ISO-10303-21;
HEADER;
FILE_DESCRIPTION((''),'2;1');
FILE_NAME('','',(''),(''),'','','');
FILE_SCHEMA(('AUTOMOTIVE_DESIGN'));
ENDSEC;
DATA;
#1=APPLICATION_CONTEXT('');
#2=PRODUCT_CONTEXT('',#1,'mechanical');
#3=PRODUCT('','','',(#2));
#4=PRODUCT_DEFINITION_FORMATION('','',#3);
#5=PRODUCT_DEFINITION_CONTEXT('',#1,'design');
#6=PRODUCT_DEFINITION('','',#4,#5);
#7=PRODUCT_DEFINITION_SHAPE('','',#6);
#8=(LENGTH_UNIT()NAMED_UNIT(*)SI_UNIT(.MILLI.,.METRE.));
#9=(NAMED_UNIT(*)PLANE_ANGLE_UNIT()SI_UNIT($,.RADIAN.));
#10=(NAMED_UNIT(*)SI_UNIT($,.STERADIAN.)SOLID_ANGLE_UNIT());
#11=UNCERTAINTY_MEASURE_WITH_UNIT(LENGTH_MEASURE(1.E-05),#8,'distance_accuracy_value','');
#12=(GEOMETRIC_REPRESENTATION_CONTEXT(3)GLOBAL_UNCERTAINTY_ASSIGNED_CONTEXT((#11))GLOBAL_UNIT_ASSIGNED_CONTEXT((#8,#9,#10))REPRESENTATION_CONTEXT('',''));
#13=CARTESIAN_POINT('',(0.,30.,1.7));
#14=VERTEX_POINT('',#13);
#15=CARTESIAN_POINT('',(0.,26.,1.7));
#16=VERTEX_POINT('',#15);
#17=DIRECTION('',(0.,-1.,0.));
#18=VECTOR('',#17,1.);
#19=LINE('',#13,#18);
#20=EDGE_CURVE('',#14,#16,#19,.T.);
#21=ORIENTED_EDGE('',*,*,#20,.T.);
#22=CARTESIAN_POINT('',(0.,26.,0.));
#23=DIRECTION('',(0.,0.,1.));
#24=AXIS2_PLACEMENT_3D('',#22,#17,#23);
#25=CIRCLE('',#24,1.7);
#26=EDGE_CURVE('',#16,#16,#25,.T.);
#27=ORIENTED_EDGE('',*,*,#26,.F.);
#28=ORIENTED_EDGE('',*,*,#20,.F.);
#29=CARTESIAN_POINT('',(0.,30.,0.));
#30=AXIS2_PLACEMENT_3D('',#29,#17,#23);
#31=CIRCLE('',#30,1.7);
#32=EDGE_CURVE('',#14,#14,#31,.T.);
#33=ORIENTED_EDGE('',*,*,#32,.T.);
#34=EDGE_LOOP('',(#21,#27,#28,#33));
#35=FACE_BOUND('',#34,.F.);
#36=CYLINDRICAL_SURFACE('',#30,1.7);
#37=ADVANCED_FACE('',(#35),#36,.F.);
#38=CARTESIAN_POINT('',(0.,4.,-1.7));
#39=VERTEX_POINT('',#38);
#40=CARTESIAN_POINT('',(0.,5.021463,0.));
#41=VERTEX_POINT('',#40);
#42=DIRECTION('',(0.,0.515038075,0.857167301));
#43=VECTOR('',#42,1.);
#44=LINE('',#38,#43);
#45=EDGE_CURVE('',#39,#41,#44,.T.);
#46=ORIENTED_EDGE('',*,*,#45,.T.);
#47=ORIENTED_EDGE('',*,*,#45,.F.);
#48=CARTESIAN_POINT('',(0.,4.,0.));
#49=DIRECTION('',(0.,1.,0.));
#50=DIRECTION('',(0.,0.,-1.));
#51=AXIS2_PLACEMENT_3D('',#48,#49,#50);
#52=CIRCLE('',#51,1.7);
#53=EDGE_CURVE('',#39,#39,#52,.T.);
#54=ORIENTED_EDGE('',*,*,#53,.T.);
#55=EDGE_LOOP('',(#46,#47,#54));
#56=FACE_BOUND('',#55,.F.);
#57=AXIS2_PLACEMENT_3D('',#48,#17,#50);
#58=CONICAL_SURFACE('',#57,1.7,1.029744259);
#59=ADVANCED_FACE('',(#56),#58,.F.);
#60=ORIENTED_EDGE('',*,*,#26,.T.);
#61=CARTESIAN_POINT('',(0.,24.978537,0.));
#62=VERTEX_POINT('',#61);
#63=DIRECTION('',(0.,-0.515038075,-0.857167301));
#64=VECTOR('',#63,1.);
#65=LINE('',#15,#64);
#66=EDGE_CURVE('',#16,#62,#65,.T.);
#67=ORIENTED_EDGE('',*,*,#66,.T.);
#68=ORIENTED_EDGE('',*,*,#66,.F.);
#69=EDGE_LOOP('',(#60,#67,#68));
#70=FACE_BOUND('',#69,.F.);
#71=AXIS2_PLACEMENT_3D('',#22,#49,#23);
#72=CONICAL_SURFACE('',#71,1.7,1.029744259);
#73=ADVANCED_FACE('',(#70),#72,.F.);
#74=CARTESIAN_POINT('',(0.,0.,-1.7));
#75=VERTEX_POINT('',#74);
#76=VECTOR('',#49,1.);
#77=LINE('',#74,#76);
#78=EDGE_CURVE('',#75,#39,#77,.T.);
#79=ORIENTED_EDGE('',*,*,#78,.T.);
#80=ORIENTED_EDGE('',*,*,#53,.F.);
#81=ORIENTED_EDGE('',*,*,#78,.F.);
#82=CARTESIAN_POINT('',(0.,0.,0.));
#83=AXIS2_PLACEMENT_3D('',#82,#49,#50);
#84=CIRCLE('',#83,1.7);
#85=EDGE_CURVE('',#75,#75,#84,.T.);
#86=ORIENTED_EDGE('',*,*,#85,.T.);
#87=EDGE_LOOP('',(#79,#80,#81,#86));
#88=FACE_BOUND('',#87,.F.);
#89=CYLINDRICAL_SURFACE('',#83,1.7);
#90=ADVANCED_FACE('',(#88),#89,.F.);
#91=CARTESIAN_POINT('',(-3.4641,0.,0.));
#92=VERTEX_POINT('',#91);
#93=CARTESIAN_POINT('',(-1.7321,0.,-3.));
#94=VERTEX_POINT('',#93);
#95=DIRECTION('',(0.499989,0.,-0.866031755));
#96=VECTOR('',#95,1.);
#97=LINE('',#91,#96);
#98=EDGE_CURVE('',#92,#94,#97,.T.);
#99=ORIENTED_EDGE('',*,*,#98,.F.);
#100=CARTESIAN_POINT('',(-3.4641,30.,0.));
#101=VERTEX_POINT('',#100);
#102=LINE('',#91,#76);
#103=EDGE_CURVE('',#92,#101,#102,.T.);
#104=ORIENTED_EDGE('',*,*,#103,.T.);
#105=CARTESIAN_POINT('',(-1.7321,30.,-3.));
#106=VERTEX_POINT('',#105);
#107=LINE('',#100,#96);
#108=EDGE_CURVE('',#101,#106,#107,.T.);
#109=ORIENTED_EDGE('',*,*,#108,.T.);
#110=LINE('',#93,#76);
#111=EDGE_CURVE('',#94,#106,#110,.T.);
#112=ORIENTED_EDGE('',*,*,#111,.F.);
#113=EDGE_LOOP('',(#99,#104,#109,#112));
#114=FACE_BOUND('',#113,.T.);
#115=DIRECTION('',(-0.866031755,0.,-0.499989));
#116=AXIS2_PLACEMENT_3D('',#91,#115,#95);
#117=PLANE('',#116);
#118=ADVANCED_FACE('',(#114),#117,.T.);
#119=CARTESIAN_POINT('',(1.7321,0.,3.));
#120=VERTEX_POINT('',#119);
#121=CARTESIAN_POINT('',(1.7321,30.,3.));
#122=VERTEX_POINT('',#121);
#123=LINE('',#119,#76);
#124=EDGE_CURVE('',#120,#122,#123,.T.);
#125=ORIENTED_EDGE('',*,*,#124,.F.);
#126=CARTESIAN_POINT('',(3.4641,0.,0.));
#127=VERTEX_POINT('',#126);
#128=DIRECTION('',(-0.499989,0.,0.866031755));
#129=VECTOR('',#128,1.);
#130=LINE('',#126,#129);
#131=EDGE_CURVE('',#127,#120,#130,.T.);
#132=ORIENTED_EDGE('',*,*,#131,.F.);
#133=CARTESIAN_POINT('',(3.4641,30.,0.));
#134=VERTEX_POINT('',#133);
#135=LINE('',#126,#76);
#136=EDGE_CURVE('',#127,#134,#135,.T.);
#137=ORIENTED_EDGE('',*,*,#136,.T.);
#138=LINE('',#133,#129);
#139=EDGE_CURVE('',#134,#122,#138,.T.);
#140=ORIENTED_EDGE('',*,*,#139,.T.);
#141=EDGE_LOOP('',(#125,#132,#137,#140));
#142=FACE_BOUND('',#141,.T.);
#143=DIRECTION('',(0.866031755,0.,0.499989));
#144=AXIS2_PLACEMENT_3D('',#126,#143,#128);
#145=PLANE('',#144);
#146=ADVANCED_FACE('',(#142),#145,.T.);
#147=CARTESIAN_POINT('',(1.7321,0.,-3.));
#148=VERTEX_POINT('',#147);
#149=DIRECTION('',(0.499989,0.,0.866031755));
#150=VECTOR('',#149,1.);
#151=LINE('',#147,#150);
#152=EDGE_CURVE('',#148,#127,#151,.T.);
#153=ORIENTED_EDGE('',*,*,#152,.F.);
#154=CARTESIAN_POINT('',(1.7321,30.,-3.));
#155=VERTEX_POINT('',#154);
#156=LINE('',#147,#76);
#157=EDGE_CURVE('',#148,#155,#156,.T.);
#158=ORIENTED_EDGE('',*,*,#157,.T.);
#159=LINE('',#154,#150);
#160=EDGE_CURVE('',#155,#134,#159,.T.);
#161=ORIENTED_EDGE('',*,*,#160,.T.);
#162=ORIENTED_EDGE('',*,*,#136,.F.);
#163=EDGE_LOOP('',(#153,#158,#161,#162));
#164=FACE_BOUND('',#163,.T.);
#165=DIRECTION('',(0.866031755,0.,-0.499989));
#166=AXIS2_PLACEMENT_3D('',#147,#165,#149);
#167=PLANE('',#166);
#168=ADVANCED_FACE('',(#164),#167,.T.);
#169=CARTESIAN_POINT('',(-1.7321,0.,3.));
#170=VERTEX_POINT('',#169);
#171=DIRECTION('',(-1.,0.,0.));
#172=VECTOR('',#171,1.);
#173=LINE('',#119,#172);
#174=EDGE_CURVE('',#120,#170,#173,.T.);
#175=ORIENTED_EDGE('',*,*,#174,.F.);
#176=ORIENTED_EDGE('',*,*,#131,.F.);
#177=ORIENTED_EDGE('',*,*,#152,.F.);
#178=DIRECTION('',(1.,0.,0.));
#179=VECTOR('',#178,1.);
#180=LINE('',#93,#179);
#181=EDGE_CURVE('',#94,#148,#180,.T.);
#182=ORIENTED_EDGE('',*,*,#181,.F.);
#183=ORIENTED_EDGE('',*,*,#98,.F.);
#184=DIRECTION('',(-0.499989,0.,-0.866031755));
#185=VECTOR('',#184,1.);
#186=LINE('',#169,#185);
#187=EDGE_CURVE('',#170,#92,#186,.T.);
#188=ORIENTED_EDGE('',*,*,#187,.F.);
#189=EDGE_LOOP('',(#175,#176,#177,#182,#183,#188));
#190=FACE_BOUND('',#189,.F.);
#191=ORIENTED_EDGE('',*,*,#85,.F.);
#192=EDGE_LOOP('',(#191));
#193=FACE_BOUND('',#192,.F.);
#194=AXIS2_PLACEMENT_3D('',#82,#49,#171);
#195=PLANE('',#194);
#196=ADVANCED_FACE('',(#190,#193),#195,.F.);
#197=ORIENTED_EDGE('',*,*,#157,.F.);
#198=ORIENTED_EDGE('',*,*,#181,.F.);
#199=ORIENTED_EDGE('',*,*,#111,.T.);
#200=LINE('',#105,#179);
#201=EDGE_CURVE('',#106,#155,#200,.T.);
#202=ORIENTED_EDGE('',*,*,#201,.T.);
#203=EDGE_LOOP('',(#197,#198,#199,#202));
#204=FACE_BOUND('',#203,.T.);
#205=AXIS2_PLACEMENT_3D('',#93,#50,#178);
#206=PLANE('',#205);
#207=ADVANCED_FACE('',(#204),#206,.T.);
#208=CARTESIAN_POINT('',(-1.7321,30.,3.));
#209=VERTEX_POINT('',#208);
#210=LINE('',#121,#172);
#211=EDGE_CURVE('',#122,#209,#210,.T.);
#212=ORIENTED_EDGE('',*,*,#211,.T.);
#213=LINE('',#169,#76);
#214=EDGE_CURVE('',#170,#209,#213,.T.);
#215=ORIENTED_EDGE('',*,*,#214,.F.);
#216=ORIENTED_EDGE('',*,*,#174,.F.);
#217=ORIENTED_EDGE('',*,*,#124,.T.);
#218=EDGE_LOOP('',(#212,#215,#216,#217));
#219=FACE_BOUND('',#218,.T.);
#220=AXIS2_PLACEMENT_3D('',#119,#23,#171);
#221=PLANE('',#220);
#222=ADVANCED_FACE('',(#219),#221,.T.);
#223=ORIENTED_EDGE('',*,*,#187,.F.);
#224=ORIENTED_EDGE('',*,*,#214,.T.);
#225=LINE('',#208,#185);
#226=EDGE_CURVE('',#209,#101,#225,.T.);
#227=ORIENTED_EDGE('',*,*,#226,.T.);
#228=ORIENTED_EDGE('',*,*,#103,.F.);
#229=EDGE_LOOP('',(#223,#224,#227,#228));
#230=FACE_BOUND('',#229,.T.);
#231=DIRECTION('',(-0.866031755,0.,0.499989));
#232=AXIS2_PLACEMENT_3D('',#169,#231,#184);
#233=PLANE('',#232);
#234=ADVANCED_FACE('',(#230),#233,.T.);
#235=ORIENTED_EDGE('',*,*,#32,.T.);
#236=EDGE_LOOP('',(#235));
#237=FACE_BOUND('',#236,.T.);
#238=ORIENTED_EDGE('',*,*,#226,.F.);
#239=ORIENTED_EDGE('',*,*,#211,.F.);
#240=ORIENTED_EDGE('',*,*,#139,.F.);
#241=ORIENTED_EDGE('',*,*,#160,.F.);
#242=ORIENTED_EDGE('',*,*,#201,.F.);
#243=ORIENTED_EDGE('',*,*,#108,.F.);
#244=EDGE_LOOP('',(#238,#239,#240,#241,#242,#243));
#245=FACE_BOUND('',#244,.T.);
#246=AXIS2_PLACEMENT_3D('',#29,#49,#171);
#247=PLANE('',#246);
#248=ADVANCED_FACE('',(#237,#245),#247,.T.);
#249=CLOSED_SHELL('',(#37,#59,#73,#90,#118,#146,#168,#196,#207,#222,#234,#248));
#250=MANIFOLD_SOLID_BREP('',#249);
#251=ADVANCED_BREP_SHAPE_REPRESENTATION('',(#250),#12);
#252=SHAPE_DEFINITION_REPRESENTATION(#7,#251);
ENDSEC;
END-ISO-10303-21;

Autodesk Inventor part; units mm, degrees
ref_plane "YZ Plane" through (0, 0, 0) normal (1, 0, 0) x (0, 1, 0)
ref_plane "XZ Plane" through (0, 0, 0) normal (0, 1, 0) x (-1, 0, 0)
ref_plane "XY Plane" through (0, 0, 0) normal (0, 0, 1) x (1, 0, 0)
sketch "Sketch1" plane through (0, 0, 0) normal (0, 1, 0) x (-1, 0, 0)
  line L0 (-1.7321, 3) -> (1.7321, 3)
  line L1 (1.7321, 3) -> (3.4641, 0)
  line L2 (3.4641, 0) -> (1.7321, -3)
  line L3 (1.7321, -3) -> (-1.7321, -3)
  line L4 (-1.7321, -3) -> (-3.4641, 0)
  line L5 (-3.4641, 0) -> (-1.7321, 3)
  point P0 (0, 0)
  point P1 (0, 0)
  dimension "d0" = 6
extrude "Extrusion1" add sketch "Sketch1" along normal blind 30
sketch "Sketch2" plane through (0, 30, 0) normal (0, 1, 0) x (1, 0, 0)
  point P0 (0, 0)
hole "Hole1" at (0, 30, 0) direction (0, -1, 0) diameter 3.4 depth 4 tip angle 118 clearance for "Hex Head Cap Screw ISO 24017" size "M3" standard "ISO"
sketch "Sketch3" plane through (0, 0, 0) normal (0, -1, 0) x (1, 0, 0)
  point P0 (0, 0)
hole "Hole2" at (0, 0, 0) direction (0, 1, 0) diameter 3.4 depth 4 tip angle 118 clearance for "Hex Head Cap Screw ISO 24017" size "M3" standard "ISO"
properties part number "tavtarto_30mm"
